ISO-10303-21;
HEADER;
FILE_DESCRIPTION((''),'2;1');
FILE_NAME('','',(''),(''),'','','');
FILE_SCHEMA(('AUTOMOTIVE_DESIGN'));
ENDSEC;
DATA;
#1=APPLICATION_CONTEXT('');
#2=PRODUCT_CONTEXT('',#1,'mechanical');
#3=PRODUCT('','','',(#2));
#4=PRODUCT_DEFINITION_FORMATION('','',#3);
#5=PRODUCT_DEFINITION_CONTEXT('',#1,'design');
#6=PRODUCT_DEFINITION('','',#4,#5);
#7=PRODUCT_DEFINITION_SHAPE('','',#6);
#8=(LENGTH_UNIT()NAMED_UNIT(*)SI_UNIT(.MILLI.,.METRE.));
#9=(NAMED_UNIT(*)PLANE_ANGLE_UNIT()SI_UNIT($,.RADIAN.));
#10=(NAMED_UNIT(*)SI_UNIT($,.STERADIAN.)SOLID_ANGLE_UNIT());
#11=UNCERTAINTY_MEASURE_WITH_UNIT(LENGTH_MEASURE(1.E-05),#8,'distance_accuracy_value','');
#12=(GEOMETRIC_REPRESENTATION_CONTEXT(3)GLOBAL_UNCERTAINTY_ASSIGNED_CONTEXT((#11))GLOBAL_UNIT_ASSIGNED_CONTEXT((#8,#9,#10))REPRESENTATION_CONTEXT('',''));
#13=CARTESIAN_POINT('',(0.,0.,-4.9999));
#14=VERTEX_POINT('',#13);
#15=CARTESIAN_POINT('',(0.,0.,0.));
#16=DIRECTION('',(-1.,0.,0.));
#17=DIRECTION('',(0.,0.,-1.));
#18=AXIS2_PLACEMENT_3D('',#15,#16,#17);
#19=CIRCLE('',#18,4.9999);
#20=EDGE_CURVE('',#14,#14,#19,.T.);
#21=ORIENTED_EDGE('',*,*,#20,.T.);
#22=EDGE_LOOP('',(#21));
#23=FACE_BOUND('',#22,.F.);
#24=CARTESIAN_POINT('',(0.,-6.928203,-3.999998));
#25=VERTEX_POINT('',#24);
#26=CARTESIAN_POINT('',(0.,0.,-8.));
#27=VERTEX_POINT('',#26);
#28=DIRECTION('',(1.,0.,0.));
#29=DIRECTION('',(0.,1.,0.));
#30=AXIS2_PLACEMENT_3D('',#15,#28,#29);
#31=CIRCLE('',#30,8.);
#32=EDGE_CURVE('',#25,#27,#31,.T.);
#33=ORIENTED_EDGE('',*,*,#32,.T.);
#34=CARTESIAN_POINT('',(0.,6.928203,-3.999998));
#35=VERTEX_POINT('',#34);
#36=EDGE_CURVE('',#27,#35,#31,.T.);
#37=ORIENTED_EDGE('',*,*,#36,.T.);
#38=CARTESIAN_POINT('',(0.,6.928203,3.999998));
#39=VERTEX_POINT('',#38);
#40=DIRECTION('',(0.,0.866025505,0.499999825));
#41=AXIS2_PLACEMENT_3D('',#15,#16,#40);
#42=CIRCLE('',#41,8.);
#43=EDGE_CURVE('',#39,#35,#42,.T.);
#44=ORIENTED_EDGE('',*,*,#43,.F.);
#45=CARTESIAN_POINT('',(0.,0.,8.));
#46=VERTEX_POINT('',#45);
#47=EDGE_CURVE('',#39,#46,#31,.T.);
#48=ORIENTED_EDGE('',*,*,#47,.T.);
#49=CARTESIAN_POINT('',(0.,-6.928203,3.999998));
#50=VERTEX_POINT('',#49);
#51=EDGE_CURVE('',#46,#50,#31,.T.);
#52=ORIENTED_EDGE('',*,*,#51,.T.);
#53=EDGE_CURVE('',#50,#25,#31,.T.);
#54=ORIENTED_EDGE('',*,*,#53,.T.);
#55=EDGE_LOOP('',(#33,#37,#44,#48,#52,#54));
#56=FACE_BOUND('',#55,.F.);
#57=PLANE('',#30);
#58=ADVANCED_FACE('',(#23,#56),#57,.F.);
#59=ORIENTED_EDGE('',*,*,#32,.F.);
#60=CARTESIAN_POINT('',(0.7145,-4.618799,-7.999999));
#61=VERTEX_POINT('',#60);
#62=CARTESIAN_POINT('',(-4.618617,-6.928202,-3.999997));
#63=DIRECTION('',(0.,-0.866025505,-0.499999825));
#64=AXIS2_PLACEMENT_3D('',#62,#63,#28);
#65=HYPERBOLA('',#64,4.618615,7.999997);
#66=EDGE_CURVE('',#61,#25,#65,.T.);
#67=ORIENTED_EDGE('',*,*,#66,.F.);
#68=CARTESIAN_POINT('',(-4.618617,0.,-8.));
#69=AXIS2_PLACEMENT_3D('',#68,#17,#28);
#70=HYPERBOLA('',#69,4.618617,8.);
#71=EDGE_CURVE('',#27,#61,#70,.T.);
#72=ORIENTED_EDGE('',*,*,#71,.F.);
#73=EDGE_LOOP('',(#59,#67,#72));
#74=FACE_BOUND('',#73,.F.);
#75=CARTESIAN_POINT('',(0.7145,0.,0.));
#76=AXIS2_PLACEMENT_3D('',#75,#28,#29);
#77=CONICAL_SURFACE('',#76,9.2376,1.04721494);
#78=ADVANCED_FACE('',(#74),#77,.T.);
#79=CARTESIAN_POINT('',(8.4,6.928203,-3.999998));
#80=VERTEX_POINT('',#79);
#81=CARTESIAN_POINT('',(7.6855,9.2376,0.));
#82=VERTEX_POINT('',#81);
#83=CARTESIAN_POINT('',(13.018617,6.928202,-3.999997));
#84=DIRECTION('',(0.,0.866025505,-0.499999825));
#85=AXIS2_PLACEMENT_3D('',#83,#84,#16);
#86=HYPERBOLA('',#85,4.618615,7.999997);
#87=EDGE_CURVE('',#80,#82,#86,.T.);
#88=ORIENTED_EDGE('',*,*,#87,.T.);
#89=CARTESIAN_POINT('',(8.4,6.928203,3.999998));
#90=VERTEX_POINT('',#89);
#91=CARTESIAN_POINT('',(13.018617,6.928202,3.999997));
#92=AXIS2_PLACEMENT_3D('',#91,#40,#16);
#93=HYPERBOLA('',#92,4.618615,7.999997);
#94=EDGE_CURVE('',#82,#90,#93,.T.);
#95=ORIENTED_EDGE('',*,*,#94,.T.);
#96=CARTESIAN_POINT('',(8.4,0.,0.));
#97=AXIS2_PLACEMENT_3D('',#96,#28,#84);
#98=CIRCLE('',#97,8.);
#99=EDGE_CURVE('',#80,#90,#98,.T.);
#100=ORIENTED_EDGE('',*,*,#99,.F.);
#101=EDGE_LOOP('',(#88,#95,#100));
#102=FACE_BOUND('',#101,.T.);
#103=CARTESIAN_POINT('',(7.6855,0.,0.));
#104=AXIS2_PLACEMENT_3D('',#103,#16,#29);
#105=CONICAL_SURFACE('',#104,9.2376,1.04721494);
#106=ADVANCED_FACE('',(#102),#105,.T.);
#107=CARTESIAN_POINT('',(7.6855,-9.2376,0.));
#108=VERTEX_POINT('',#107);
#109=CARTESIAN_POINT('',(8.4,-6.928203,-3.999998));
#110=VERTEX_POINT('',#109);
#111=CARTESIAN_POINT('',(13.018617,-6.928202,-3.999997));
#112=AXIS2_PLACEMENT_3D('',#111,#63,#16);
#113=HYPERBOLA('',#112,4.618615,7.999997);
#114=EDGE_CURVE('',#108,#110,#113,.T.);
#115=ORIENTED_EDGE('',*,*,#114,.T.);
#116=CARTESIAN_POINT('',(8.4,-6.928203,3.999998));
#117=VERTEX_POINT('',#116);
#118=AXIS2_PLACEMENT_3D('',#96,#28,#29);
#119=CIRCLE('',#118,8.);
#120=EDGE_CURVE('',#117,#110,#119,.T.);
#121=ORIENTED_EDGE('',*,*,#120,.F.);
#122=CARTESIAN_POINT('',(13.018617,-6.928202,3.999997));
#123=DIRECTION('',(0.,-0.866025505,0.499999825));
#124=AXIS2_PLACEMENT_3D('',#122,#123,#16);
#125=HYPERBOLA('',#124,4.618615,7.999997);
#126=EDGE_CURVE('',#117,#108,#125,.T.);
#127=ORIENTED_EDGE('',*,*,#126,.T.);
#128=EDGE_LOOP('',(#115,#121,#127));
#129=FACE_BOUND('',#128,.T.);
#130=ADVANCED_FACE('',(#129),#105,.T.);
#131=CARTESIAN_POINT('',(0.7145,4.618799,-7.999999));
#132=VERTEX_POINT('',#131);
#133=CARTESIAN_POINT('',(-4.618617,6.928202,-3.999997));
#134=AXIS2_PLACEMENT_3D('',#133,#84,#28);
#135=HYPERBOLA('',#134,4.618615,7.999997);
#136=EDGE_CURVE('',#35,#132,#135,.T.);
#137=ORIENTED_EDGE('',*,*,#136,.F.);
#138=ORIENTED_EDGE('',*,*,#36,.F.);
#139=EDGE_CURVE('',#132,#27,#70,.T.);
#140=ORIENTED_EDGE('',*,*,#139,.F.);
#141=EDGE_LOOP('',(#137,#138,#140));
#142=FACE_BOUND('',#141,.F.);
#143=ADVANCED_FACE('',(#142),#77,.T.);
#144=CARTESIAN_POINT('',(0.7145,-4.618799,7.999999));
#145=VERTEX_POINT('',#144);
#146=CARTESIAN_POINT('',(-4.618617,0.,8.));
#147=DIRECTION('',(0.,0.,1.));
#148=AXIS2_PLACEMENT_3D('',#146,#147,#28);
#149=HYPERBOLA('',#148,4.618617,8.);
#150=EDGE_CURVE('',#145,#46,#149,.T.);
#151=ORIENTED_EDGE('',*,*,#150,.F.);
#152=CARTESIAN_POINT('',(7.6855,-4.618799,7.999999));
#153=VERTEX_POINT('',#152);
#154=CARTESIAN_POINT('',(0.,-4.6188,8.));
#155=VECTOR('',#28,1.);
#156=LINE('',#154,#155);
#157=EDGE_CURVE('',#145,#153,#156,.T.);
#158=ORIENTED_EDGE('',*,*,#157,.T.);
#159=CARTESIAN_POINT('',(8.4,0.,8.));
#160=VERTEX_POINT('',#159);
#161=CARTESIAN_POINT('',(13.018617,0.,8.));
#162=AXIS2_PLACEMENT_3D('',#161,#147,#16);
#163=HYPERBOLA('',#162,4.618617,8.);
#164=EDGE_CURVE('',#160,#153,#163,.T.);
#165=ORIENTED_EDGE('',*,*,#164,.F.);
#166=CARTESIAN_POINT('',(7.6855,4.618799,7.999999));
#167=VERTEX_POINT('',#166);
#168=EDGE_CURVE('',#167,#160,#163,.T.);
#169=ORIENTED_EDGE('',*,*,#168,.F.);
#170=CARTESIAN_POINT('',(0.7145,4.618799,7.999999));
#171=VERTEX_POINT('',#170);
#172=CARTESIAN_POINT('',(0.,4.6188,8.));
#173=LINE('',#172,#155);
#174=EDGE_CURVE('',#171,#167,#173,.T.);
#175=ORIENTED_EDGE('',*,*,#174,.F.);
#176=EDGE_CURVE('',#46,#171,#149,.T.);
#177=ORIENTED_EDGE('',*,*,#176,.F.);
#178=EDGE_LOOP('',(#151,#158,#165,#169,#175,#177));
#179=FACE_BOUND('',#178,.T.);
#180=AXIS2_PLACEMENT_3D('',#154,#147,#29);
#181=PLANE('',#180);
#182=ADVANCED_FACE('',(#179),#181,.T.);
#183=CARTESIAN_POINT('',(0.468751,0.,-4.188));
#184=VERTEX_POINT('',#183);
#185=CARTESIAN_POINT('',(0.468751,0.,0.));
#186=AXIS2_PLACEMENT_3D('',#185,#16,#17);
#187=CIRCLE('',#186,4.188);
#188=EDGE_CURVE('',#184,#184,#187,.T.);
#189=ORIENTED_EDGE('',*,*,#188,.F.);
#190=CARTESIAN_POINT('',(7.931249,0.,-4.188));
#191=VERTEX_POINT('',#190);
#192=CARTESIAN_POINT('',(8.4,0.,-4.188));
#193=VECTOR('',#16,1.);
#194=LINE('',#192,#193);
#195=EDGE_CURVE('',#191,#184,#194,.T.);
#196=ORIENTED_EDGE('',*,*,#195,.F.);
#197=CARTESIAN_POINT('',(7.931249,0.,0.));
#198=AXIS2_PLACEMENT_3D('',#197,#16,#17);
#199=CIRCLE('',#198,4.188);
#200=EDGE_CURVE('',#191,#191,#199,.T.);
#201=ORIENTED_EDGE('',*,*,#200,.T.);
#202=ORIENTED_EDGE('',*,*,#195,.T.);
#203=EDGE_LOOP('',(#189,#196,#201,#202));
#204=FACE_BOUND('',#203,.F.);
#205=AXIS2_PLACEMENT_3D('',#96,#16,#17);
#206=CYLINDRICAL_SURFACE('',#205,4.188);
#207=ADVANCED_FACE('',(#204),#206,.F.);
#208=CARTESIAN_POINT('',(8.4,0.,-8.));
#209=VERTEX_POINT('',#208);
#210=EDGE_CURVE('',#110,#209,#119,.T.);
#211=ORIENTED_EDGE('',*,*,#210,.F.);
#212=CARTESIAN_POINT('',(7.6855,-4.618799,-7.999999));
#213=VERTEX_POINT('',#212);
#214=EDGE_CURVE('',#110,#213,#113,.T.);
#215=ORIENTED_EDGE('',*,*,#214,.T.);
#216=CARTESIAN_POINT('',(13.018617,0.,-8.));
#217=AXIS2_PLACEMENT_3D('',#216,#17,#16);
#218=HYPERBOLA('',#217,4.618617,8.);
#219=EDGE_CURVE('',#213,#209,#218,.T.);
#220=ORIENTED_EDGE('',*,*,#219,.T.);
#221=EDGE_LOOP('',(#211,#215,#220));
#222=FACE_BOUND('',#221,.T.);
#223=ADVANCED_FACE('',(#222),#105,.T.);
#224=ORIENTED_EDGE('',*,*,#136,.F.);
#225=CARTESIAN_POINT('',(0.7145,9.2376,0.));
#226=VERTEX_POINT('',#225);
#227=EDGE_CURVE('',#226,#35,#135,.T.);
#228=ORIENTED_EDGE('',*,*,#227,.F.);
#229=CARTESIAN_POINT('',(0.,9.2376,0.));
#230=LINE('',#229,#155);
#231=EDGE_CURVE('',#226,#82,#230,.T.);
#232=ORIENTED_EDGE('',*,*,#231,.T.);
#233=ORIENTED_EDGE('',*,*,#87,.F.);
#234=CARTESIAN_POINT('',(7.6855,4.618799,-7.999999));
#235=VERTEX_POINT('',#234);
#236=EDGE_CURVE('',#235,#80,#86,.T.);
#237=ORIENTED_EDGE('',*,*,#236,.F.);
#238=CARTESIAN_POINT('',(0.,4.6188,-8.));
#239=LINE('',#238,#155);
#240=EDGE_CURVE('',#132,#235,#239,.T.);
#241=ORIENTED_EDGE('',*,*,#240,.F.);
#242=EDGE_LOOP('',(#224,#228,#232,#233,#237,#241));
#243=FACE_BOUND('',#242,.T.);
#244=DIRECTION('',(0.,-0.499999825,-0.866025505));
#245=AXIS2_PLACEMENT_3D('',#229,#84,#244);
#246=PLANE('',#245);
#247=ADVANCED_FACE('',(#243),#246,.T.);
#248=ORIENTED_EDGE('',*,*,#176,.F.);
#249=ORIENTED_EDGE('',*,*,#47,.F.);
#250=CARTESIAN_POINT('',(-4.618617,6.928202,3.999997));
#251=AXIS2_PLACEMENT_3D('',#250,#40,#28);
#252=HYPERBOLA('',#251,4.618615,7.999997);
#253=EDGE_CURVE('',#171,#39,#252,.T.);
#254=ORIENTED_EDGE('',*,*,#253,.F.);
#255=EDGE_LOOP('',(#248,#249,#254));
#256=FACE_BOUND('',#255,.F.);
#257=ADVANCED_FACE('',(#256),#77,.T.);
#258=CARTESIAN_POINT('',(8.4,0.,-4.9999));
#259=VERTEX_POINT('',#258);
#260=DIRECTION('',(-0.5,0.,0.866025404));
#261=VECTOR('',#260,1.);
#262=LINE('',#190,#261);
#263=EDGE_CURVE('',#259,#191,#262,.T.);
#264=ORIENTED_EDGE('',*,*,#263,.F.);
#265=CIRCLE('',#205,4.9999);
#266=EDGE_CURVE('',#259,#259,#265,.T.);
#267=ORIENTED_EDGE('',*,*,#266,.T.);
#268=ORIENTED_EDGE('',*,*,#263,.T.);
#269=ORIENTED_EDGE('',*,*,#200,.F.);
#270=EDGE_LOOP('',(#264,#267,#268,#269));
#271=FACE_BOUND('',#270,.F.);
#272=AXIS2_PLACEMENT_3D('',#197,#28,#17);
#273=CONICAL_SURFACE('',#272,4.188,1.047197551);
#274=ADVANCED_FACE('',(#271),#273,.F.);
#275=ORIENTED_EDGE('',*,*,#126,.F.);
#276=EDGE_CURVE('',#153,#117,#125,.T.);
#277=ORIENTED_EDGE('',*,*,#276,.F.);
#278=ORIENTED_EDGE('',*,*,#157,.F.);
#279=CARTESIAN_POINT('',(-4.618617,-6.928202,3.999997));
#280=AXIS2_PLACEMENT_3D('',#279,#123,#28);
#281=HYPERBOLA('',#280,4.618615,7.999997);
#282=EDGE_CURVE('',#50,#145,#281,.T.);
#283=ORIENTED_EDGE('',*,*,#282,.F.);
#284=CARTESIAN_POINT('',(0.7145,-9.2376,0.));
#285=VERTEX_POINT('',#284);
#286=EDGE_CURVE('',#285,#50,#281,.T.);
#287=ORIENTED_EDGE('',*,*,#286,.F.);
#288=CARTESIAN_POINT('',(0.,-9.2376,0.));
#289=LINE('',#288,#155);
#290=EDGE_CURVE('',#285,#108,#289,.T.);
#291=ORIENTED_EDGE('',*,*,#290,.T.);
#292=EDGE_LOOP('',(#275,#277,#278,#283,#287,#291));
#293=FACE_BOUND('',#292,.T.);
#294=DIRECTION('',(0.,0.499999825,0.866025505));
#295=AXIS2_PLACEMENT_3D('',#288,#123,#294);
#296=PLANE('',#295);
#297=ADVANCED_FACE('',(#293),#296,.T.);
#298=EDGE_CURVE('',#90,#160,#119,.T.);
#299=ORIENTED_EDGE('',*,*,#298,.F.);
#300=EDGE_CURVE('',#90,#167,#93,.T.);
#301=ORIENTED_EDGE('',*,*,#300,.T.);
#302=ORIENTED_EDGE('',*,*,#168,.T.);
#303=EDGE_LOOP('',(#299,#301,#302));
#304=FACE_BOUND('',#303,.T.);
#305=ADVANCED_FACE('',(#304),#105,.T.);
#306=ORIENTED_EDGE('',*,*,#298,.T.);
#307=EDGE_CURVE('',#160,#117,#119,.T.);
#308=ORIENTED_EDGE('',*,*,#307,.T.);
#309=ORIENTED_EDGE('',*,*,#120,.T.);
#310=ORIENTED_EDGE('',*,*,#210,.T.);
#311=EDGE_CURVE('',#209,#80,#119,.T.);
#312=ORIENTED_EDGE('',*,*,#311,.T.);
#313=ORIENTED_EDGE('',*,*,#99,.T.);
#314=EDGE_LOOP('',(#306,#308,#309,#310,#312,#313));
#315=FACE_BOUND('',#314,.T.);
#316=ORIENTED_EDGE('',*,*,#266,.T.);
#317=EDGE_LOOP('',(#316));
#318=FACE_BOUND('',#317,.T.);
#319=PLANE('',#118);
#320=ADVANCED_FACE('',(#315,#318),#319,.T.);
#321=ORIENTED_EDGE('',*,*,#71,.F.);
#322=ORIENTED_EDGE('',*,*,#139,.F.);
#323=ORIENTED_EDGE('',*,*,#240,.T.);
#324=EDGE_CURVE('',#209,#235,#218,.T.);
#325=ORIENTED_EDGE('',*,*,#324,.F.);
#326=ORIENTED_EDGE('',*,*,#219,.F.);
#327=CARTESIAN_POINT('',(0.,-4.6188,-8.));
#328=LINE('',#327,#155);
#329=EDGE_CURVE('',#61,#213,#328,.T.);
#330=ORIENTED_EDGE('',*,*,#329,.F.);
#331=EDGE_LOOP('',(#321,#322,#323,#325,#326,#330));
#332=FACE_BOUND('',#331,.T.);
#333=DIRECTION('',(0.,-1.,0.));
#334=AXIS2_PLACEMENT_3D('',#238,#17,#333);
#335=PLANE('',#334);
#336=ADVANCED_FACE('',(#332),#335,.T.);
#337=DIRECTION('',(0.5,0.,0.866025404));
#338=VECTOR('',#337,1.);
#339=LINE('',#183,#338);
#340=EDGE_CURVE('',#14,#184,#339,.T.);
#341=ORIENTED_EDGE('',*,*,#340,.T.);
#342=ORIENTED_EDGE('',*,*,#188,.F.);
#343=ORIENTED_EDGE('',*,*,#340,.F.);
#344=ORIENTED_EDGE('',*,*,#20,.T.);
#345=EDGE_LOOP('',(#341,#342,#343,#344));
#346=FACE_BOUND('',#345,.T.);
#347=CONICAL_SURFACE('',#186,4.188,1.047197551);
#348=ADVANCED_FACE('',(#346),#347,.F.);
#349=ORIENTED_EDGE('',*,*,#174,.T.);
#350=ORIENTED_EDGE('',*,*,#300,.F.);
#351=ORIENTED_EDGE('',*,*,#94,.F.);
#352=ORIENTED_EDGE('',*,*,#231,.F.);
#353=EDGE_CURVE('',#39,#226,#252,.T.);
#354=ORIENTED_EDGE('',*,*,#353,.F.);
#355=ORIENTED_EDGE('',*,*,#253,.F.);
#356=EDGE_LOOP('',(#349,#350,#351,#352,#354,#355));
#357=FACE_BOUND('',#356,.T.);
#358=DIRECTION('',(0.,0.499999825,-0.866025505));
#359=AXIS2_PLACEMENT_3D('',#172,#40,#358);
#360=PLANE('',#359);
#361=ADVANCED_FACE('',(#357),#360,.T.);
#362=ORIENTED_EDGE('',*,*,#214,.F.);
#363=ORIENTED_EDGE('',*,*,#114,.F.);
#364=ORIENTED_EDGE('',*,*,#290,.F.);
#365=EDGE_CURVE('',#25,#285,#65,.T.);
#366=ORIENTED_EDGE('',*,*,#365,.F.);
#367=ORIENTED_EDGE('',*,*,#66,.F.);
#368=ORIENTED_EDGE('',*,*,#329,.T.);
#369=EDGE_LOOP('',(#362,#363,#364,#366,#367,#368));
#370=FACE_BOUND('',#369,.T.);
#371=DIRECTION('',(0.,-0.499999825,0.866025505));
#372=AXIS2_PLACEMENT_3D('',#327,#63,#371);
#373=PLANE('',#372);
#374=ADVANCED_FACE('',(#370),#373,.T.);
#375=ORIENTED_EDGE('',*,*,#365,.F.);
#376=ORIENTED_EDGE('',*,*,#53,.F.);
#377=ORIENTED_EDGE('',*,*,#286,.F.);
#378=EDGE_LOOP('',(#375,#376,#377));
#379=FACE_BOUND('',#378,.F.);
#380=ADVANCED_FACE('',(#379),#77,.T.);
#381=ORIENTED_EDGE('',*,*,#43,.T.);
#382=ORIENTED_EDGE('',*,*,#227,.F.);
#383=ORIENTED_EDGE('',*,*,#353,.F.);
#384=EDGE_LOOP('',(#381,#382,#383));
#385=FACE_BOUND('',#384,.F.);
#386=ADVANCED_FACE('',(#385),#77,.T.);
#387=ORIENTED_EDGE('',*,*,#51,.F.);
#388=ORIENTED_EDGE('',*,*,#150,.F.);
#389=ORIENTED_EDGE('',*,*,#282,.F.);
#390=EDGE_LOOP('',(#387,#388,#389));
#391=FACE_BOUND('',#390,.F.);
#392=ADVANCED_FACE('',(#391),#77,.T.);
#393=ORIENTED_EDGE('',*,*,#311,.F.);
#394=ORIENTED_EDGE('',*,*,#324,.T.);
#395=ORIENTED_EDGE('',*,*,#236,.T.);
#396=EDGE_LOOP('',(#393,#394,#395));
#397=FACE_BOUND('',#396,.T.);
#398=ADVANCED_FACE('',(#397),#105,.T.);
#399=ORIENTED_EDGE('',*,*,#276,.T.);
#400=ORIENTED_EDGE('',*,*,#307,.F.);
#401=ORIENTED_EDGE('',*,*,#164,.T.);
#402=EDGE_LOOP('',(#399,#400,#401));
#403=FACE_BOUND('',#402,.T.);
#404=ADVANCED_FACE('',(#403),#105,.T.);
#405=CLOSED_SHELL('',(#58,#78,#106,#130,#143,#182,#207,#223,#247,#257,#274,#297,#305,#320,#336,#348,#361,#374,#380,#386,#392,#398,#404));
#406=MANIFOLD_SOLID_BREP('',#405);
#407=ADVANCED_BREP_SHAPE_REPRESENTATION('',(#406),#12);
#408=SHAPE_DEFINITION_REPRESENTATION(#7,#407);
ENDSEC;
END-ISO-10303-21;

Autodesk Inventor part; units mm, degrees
ref_plane "YZ Plane" through (0, 0, 0) normal (1, 0, 0) x (0, 1, 0)
ref_plane "XZ Plane" through (0, 0, 0) normal (0, 1, 0) x (-1, 0, 0)
sketch "Sketch1" plane through (0, 0, 0) normal (1, 0, 0) x (0, 1, 0)
  line L0 (-9.2376, 0) -> (-4.6188, 8)
  line L1 (-4.6188, 8) -> (4.6188, 8)
  line L2 (4.6188, 8) -> (9.2376, 0)
  line L3 (9.2376, 0) -> (4.6188, -8)
  line L4 (4.6188, -8) -> (-4.6188, -8)
  line L5 (-4.6188, -8) -> (-9.2376, 0)
  point P0 (0, 0)
  point P1 (0, 0)
  dimension "d0" = 18.4752
extrude "Body" add sketch "Sketch1" along normal blind 8.4
sketch "Sketch2" plane through (0, 0, 0) normal (0, 0, 1) x (1, 0, 0)
  line L0 (0, 4.6188) -> (0, 9.2376) projected
  line L1 (0, 9.2376) -> (8.4, 9.2376) projected
  line L2 (8.4, 4.6188) -> (8.4, 9.2376) projected
  line L3 (-1.68, 0) -> (10.08, 0) projected
  line L4 (0.7145, 9.2376) -> (0, 8)
  line L5 (7.6855, 9.2376) -> (8.4, 8)
  dimension "d3" = 30
  dimension "d4" = 30
  dimension "d5" = 16
  dimension "d6" = 16
revolve "Chamfer1" cut sketch "Sketch2" angle 360 about axis through (-10, 0, 0) along (1, 0, 0)
sketch "Sketch3" plane through (8.4, 0, 0) normal (1, 0, 0) x (0, 0, -1)
  arc A0 (-4, -6.9282) -> (4, -6.9282) centre (0, 0) ccw projected
hole "Thread" at (8.4, 0, 0) direction (-1, 0, 0) diameter 8.376 end through all thread size "M10x1.5" class "6H" standard "ISO Metric profile"
chamfer "Chamfer2" distance 0.8119 angle 30 1 edges at (8.4, 0, 4.188) measured on face at (8.4, -6.6899, -0.1683)
chamfer "Chamfer3" distance 0.8119 angle 30 1 edges at (0, 0, 4.188) measured on face at (0, -6.6899, -0.1683)
ref_plane "Work Plane1" through (-17.4436, 0, 0) normal (0, -0.866, -0.5) x (1, 0, 0)
equation "\"d0\" = 1.1547 * SW"
equation "\"d1\" = KOH"
equation "\"d8\" = -0.5 * GD1 + 0.5 * NND"
equation "\"d40\" = -0.5 * GD1 + 0.5 * NND"
equation "\"d10\" = -0.5 * GD1 + 0.5 * NND"
equation "\"d41\" = -0.5 * GD1 + 0.5 * NND"
equation "\"d3\" = ANG1"
equation "\"d4\" = ANG2"
equation "\"d5\" = SW0"
equation "\"d6\" = SW01"
equation "\"ANG1\" = 30deg"
equation "\"ANG2\" = 30deg"
equation "\"KOH\" = 8.4"
equation "\"SW\" = 16"
equation "\"SW0\" = SW"
equation "\"SW01\" = SW"
equation "\"GUL\" = 0.541266 * PTC"
equation "\"WFT\" = 0.6"
equation "\"TOA\" = 30deg"
equation "\"PTC\" = 1.5"
equation "\"E0\" = 1.155 * SW"
equation "\"GAL\" = 0.541266 * PTC"
equation "\"GD1\" = 8.376202"
equation "\"NND\" = 10"
properties part number "AS 1112 - M10  Type 5" material "Steel, Mild"
